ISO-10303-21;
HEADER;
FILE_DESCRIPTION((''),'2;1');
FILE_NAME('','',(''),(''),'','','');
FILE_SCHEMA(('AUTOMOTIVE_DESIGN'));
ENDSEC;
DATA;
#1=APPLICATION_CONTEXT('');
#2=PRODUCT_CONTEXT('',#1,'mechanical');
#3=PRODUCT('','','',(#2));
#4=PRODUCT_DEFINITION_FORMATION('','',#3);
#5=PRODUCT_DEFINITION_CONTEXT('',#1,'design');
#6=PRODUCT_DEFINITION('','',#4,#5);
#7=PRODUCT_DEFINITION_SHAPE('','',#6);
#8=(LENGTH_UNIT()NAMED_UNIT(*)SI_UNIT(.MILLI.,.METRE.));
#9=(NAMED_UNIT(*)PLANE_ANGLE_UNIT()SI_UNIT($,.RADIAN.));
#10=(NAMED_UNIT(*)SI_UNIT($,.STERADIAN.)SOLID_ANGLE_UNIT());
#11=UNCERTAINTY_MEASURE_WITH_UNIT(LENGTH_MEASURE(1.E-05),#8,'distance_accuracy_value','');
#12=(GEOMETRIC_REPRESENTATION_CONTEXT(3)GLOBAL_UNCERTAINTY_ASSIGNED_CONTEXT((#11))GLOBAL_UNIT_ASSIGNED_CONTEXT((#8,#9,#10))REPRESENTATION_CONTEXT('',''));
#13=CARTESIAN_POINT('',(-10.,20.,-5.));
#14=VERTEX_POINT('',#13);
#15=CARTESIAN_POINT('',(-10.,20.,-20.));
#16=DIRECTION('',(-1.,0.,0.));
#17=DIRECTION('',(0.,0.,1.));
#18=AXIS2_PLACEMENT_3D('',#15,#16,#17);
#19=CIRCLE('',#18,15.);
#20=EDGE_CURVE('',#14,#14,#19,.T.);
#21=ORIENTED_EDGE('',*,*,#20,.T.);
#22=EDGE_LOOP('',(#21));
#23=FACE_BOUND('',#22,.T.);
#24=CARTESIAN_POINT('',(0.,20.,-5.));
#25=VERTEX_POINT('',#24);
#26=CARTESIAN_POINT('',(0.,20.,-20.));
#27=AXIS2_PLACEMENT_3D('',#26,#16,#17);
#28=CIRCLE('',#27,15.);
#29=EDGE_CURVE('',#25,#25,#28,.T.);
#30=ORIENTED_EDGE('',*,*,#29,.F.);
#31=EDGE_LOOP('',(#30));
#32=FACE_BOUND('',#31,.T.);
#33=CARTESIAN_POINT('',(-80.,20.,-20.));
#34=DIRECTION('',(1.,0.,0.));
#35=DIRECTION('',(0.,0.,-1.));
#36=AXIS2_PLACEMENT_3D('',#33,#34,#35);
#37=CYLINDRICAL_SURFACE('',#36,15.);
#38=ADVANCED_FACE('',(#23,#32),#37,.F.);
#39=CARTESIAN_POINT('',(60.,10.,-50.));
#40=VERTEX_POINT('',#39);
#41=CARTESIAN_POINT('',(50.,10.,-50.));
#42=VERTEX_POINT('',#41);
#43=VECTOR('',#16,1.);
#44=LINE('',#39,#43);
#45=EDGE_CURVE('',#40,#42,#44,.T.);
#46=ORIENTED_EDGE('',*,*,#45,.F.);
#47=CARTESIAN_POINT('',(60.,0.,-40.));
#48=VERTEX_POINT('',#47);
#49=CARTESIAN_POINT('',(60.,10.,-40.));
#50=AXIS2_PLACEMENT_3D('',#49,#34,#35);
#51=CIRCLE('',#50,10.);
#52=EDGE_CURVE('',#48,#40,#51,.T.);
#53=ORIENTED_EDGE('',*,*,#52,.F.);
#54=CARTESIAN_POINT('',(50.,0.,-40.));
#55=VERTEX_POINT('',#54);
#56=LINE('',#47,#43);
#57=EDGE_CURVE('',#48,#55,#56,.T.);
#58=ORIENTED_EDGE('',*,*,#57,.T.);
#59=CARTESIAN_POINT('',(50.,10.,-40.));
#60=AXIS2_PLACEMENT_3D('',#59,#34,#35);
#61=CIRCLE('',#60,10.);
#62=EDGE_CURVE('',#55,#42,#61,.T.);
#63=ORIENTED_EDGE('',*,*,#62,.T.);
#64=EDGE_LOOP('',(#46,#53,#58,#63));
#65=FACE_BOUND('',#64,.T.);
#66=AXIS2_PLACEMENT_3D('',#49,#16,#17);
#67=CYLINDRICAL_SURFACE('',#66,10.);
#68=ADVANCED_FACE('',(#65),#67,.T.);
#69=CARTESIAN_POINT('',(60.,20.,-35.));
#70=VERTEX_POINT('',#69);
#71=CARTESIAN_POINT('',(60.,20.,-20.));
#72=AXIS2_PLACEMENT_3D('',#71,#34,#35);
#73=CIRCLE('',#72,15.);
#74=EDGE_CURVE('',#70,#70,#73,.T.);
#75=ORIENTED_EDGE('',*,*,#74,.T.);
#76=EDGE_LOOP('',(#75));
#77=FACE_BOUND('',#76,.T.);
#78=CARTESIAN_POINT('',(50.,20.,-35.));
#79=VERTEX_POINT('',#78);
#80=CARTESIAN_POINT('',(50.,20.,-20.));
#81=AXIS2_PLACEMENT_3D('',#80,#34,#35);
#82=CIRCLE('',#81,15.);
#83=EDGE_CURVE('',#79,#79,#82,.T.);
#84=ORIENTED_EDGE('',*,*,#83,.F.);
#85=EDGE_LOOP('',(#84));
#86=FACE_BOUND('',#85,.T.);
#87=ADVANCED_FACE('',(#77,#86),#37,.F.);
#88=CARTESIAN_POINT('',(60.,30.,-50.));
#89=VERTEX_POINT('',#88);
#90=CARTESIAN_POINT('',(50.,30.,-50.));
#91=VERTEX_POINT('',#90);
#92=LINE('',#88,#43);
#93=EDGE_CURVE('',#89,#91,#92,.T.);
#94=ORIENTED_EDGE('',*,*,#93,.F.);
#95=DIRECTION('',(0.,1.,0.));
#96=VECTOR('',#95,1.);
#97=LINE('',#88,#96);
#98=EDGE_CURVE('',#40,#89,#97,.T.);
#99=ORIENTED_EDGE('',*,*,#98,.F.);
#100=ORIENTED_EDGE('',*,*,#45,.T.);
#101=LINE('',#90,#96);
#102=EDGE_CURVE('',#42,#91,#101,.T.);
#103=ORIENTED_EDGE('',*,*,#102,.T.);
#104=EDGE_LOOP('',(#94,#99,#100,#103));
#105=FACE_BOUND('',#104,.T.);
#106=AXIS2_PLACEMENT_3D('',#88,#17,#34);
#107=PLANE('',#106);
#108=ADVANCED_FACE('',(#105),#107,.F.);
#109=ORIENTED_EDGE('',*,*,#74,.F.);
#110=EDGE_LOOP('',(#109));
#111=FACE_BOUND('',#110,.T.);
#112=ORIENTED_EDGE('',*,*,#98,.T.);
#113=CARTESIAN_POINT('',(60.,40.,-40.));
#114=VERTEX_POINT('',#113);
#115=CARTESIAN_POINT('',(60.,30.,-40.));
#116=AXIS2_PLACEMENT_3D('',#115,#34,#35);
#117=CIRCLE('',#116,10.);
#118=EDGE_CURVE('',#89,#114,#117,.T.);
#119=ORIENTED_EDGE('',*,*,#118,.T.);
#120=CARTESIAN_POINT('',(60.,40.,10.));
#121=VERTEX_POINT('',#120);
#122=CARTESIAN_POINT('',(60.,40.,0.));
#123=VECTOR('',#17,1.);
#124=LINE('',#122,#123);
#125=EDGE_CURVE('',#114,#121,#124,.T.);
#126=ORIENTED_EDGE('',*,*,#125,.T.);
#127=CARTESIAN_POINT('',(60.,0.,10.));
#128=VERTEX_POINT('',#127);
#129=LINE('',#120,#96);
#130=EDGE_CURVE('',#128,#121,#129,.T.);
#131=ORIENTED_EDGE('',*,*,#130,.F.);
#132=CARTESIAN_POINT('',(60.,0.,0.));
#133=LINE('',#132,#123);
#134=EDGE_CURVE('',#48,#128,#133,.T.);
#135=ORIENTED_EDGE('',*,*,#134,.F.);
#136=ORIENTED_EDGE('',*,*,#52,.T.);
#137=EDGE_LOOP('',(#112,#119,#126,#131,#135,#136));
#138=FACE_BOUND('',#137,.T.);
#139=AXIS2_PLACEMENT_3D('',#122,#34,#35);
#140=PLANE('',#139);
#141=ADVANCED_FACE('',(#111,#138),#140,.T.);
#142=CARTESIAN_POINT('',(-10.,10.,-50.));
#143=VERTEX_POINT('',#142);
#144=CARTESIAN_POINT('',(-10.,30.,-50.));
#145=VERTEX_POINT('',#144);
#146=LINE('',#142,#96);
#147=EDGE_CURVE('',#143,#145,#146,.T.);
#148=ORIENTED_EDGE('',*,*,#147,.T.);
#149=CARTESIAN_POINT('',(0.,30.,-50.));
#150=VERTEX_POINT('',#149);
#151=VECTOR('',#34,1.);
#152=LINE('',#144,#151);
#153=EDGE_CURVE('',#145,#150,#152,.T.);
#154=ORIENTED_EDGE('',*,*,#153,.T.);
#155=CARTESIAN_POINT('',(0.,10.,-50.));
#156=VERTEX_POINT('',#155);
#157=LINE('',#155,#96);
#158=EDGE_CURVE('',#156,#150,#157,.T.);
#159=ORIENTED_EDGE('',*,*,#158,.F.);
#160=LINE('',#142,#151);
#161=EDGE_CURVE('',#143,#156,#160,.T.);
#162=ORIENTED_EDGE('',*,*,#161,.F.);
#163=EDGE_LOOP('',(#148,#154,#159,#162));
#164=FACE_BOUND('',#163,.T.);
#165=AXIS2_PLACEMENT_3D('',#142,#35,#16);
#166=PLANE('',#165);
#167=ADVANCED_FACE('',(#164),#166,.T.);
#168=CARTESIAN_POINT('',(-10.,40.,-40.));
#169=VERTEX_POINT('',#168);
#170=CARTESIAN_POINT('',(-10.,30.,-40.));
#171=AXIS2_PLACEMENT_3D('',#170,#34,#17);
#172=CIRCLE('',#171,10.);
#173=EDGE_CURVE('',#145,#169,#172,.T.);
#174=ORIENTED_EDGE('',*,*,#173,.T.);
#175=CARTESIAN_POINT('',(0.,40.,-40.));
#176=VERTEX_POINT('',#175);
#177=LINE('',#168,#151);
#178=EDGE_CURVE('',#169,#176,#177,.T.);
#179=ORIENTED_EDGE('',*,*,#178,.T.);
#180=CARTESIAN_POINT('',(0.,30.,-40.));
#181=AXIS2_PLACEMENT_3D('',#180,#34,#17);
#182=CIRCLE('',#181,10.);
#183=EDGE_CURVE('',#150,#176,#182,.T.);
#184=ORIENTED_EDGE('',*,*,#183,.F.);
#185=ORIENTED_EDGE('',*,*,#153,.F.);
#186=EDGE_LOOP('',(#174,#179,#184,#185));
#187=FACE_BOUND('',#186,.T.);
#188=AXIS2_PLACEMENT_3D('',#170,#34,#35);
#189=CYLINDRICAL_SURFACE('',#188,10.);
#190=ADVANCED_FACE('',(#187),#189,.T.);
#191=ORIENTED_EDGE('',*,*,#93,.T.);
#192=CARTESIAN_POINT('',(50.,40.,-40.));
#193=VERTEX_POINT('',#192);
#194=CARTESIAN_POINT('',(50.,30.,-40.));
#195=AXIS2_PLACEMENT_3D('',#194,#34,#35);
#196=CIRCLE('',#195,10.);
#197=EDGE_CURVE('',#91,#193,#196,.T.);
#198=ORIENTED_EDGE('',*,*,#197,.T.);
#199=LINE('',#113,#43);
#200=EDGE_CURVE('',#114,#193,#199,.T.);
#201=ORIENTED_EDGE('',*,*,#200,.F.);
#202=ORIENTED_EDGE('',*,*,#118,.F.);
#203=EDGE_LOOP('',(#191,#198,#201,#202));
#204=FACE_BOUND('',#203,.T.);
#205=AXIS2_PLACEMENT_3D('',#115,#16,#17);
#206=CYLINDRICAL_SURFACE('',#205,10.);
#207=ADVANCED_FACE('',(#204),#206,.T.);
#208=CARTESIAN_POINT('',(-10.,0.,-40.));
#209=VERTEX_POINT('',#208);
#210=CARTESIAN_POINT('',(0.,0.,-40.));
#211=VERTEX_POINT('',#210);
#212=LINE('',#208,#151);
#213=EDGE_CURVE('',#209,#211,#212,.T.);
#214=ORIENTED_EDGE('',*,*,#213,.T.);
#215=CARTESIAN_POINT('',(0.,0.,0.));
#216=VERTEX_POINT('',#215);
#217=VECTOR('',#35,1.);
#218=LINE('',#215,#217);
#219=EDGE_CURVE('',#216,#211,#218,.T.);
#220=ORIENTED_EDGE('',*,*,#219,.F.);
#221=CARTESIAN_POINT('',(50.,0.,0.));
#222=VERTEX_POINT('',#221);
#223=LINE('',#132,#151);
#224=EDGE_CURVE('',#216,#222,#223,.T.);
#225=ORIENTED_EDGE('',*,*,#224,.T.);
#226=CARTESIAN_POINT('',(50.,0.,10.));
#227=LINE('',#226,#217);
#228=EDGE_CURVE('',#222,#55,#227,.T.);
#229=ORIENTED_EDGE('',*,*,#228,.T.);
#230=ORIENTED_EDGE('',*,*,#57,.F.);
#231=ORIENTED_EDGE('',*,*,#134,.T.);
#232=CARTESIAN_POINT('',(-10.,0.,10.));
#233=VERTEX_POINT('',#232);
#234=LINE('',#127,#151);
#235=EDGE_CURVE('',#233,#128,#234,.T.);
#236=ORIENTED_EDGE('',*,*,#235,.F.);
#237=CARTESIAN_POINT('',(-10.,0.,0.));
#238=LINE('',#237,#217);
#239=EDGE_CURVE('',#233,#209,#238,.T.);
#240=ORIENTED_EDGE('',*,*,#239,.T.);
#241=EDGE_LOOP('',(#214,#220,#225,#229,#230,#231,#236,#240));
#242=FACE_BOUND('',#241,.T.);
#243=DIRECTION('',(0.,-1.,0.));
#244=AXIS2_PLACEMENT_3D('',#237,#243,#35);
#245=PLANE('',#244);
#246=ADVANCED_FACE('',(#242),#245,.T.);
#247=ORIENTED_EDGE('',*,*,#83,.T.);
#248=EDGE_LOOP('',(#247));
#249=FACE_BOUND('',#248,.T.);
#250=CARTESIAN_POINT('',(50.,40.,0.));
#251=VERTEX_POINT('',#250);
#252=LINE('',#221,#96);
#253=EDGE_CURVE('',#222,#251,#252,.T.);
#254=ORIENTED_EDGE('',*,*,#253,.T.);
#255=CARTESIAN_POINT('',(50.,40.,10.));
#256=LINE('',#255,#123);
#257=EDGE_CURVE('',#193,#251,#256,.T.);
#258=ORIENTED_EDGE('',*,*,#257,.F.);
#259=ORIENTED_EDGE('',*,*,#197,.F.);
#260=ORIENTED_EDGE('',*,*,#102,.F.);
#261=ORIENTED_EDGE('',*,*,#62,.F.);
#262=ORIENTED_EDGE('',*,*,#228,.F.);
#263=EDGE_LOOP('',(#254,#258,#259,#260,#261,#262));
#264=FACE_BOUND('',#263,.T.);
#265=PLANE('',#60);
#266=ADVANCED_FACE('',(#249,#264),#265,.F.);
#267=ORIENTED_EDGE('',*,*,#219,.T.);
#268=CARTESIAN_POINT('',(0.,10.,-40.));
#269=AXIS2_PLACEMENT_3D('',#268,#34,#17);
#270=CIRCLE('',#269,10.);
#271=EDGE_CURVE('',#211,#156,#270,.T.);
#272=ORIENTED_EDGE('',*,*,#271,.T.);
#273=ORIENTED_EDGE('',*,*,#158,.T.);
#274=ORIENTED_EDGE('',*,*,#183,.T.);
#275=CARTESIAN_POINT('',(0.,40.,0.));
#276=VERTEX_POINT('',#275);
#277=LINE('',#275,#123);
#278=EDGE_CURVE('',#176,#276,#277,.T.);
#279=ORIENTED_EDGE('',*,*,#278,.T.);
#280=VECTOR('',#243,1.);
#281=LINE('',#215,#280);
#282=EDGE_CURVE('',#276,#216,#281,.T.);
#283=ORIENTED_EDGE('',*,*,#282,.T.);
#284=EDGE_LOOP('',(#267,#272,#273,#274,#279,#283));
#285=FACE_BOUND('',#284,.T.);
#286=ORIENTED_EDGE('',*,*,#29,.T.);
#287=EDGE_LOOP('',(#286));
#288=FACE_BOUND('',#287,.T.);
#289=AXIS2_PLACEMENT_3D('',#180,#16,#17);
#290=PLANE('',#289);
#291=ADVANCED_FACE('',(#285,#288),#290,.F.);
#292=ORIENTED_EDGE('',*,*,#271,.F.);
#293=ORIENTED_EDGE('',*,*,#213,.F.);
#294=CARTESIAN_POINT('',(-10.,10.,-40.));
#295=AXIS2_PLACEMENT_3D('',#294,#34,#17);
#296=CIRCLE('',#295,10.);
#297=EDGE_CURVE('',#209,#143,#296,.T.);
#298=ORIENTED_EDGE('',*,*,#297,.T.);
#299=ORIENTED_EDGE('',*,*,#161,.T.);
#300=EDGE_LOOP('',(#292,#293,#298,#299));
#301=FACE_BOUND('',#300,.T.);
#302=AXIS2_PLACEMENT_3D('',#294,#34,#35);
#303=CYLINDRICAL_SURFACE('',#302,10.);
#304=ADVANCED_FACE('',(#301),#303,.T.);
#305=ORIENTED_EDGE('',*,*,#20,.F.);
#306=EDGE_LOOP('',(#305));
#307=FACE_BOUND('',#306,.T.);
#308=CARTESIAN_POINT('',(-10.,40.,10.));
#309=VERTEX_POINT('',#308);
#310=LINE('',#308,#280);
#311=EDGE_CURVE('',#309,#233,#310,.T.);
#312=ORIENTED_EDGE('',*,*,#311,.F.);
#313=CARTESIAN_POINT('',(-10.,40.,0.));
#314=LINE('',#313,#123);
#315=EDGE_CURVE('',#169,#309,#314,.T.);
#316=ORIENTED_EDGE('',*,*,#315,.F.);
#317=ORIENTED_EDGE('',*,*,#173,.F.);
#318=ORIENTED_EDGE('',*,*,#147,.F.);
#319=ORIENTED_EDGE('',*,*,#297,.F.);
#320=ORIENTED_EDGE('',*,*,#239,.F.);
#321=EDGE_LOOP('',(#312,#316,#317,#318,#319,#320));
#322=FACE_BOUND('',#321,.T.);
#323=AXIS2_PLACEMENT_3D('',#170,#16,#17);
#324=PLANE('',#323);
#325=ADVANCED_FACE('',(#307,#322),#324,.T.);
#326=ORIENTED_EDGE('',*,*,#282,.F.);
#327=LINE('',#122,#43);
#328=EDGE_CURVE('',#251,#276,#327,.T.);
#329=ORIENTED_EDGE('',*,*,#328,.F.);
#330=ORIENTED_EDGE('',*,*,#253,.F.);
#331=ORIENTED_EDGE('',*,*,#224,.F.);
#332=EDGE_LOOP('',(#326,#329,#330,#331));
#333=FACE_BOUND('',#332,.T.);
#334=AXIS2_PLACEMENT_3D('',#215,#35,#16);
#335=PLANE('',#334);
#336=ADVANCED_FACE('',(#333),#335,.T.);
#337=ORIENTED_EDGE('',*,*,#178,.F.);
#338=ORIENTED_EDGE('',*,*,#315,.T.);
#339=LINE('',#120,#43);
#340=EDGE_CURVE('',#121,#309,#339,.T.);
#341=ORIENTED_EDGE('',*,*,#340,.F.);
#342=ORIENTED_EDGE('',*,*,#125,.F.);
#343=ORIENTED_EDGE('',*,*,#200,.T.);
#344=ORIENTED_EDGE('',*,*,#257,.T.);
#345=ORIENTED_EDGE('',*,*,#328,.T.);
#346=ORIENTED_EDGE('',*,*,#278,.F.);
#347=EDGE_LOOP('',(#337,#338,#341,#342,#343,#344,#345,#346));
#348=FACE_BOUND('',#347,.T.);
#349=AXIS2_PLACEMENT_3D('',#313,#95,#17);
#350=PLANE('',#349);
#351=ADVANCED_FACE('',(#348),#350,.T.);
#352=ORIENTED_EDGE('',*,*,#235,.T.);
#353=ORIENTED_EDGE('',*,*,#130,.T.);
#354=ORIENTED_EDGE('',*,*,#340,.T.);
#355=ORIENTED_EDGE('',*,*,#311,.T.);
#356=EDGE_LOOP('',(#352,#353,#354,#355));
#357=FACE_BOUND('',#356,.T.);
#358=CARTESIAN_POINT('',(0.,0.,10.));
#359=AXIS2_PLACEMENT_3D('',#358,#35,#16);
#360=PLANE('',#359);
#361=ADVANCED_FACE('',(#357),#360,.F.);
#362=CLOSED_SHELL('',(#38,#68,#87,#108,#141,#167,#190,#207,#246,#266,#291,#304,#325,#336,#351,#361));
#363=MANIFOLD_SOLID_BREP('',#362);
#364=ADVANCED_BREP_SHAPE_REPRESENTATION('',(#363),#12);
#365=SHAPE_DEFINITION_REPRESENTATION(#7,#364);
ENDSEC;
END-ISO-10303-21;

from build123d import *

# Parameters (mm, degrees)
SKETCH1_W           = 50
SKETCH1_H           = 40
BOSS_EXTRUDE1_DEPTH = 10
BOSS_EXTRUDE2_DEPTH = 10
BOSS_EXTRUDE3_DEPTH = 10
SKETCH4_W           = 70
SKETCH4_H           = 40
BOSS_EXTRUDE4_DEPTH = 10
CUT_EXTRUDE1_DEPTH  = 140


with BuildPart() as part:
    # Sketch1 → Boss-Extrude1 (new body)
    with BuildSketch(Plane.XY):
        with Locations((25, 20)):
            Rectangle(SKETCH1_W, SKETCH1_H)
    extrude(amount=BOSS_EXTRUDE1_DEPTH)

    # Sketch3 → Boss-Extrude3 (add)
    with BuildSketch(Plane(origin=(50, 0, 0), x_dir=(0, 0, -1), z_dir=(1, 0, 0))):
        with BuildLine():
            Line((-10, 40), (40, 40))
            ThreePointArc((40, 40), (47.071067812, 37.071067812), (50, 30))
            Line((50, 30), (50, 10))
            ThreePointArc((50, 10), (47.071067812, 2.928932188), (40, 0))
            Line((40, 0), (-10, 0))
            Line((-10, 0), (-10, 40))
        make_face()
    extrude(amount=BOSS_EXTRUDE3_DEPTH)



with BuildPart() as body_2:
    # Sketch2 → Boss-Extrude2 (new body)
    with BuildSketch(Plane(origin=(0, 0, 0), x_dir=(0, 0, -1), z_dir=(1, 0, 0))):
        with BuildLine():
            Line((0, 0), (40, 0))
            ThreePointArc((40, 0), (47.071067812, 2.928932188), (50, 10))
            Line((50, 10), (50, 30))
            ThreePointArc((50, 30), (47.071067812, 37.071067812), (40, 40))
            Line((40, 40), (0, 40))
            Line((0, 40), (0, 0))
        make_face()
    extrude(amount=-BOSS_EXTRUDE2_DEPTH)


with BuildPart() as part_1:
    add(part.part)

    add(body_2.part)  # Boss-Extrude4 merges body 2
    # Sketch4 → Boss-Extrude4 (add)
    with BuildSketch(Plane.XY.offset(10)):
        with Locations((25, 20)):
            Rectangle(SKETCH4_W, SKETCH4_H)
    extrude(amount=-BOSS_EXTRUDE4_DEPTH)

    # Sketch5 → Cut-Extrude1 (cut)
    with BuildSketch(Plane(origin=(60, 0, 0), x_dir=(0, 0, -1), z_dir=(1, 0, 0))):
        with BuildLine():
            Line((20, 20), (35, 20))
            ThreePointArc((35, 20), (30.606601718, 30.606601718), (20, 35))
            Line((20, 35), (20, 20))
        make_face()
        with BuildLine():
            Line((5, 20), (20, 20))
            Line((20, 20), (20, 35))
            ThreePointArc((20, 35), (9.393398282, 30.606601718), (5, 20))
        make_face()
        with BuildLine():
            ThreePointArc((20, 5), (30.606601718, 9.393398282), (35, 20))
            Line((35, 20), (20, 20))
            Line((20, 20), (20, 5))
        make_face()
        with BuildLine():
            Line((20, 5), (20, 20))
            Line((20, 20), (5, 20))
            ThreePointArc((5, 20), (9.393398282, 9.393398282), (20, 5))
        make_face()
    extrude(amount=-CUT_EXTRUDE1_DEPTH, mode=Mode.SUBTRACT)


solid = part_1.part
